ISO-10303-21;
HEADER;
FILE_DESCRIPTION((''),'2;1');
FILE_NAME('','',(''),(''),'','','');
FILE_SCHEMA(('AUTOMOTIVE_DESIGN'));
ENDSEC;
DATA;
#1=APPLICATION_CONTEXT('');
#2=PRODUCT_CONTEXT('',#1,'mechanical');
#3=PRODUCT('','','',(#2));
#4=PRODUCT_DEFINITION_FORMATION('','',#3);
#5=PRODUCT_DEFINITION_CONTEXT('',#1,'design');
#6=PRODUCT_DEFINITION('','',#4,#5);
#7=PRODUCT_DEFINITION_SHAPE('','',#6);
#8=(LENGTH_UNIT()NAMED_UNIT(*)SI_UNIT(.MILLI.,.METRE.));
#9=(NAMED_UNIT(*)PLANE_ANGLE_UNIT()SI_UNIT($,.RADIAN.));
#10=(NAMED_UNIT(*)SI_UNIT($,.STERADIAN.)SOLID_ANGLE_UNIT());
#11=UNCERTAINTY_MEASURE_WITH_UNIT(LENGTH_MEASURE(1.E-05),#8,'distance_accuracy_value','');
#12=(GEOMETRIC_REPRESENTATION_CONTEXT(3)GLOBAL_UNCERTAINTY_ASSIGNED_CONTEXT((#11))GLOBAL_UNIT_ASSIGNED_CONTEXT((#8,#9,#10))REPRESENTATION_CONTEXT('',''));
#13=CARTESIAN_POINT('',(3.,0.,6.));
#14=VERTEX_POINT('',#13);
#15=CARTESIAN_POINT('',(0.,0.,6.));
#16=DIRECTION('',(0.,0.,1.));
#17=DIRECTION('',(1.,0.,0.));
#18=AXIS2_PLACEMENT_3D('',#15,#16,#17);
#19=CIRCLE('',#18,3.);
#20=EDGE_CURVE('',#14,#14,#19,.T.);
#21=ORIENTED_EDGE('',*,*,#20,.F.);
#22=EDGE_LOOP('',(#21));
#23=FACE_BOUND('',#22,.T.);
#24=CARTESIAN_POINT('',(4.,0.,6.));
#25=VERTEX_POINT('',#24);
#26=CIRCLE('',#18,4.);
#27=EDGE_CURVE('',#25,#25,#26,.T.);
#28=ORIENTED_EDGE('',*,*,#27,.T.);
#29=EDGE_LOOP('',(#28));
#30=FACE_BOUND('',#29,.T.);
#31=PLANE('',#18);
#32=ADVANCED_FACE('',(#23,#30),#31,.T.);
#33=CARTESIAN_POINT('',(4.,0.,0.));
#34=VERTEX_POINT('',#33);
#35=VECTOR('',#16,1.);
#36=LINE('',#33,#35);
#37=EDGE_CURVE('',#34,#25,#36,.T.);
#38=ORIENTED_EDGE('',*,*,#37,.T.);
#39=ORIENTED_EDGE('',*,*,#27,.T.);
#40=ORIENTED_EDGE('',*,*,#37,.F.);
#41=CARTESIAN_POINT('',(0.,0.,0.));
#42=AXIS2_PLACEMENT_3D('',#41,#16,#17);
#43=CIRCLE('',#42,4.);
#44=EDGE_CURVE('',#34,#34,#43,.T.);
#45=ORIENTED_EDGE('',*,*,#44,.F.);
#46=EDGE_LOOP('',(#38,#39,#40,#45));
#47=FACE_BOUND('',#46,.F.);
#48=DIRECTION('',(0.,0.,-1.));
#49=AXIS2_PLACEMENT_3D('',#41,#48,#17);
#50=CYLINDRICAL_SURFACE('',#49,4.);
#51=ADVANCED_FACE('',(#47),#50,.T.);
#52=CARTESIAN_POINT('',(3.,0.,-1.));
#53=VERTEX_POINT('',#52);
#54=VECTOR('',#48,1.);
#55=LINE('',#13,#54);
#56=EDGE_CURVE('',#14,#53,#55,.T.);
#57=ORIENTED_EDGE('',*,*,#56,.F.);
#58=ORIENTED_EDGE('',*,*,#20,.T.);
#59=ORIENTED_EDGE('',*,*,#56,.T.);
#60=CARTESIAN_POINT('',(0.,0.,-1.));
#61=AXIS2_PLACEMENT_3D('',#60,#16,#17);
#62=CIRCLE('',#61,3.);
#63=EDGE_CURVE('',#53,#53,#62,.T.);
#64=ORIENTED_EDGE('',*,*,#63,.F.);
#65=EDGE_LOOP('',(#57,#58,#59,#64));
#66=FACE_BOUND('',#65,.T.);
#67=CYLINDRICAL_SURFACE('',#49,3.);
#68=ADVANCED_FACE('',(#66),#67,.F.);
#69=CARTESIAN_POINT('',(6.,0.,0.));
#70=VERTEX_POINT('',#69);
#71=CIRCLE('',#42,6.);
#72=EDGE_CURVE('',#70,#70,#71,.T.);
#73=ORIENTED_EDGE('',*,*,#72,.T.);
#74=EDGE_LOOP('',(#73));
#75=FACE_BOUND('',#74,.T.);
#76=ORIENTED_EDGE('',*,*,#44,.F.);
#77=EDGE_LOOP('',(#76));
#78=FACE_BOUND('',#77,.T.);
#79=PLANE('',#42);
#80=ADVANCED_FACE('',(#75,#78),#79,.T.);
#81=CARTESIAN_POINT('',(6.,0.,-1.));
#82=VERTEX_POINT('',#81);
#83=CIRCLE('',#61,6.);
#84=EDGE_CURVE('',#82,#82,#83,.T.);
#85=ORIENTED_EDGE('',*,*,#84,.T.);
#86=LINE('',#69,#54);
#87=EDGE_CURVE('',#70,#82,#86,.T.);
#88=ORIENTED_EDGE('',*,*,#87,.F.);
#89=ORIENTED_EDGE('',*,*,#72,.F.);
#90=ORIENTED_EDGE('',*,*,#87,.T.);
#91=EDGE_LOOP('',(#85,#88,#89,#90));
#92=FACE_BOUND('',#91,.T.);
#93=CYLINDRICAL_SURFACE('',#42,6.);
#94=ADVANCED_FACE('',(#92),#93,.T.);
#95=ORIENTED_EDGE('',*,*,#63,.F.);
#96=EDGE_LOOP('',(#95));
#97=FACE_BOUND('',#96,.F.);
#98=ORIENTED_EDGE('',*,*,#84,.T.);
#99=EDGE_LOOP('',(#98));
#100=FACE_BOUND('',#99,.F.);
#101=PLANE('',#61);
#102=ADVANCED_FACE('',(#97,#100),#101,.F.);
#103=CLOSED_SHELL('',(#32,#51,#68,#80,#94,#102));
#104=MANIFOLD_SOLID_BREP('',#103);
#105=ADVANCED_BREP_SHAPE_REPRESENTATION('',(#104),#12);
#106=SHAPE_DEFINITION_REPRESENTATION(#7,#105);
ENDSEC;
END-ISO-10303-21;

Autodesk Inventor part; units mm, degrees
ref_plane "YZ Plane" through (0, 0, 0) normal (1, 0, 0) x (0, 1, 0)
ref_plane "XZ Plane" through (0, 0, 0) normal (0, 1, 0) x (-1, 0, 0)
ref_plane "XY Plane" through (0, 0, 0) normal (0, 0, 1) x (1, 0, 0)
sketch "スケッチ1" plane through (0, 0, 0) normal (0, 0, 1) x (1, 0, 0)
  circle A0 centre (0, 0) radius 3
  circle A1 centre (0, 0) radius 4
  circle A2 centre (0, 0) radius 6
  dimension "d0" = 6
  dimension "d1" = 8
  dimension "d2" = 12
extrude "押し出し1" add sketch "スケッチ1" along normal blind 6 contours A1
extrude "押し出し2" add sketch "スケッチ1" against normal blind 1 contours A1 | A2
properties part number "オイレス　6-8-12　フランジ付き　（L=6）" material "アセタール樹脂、黒"
